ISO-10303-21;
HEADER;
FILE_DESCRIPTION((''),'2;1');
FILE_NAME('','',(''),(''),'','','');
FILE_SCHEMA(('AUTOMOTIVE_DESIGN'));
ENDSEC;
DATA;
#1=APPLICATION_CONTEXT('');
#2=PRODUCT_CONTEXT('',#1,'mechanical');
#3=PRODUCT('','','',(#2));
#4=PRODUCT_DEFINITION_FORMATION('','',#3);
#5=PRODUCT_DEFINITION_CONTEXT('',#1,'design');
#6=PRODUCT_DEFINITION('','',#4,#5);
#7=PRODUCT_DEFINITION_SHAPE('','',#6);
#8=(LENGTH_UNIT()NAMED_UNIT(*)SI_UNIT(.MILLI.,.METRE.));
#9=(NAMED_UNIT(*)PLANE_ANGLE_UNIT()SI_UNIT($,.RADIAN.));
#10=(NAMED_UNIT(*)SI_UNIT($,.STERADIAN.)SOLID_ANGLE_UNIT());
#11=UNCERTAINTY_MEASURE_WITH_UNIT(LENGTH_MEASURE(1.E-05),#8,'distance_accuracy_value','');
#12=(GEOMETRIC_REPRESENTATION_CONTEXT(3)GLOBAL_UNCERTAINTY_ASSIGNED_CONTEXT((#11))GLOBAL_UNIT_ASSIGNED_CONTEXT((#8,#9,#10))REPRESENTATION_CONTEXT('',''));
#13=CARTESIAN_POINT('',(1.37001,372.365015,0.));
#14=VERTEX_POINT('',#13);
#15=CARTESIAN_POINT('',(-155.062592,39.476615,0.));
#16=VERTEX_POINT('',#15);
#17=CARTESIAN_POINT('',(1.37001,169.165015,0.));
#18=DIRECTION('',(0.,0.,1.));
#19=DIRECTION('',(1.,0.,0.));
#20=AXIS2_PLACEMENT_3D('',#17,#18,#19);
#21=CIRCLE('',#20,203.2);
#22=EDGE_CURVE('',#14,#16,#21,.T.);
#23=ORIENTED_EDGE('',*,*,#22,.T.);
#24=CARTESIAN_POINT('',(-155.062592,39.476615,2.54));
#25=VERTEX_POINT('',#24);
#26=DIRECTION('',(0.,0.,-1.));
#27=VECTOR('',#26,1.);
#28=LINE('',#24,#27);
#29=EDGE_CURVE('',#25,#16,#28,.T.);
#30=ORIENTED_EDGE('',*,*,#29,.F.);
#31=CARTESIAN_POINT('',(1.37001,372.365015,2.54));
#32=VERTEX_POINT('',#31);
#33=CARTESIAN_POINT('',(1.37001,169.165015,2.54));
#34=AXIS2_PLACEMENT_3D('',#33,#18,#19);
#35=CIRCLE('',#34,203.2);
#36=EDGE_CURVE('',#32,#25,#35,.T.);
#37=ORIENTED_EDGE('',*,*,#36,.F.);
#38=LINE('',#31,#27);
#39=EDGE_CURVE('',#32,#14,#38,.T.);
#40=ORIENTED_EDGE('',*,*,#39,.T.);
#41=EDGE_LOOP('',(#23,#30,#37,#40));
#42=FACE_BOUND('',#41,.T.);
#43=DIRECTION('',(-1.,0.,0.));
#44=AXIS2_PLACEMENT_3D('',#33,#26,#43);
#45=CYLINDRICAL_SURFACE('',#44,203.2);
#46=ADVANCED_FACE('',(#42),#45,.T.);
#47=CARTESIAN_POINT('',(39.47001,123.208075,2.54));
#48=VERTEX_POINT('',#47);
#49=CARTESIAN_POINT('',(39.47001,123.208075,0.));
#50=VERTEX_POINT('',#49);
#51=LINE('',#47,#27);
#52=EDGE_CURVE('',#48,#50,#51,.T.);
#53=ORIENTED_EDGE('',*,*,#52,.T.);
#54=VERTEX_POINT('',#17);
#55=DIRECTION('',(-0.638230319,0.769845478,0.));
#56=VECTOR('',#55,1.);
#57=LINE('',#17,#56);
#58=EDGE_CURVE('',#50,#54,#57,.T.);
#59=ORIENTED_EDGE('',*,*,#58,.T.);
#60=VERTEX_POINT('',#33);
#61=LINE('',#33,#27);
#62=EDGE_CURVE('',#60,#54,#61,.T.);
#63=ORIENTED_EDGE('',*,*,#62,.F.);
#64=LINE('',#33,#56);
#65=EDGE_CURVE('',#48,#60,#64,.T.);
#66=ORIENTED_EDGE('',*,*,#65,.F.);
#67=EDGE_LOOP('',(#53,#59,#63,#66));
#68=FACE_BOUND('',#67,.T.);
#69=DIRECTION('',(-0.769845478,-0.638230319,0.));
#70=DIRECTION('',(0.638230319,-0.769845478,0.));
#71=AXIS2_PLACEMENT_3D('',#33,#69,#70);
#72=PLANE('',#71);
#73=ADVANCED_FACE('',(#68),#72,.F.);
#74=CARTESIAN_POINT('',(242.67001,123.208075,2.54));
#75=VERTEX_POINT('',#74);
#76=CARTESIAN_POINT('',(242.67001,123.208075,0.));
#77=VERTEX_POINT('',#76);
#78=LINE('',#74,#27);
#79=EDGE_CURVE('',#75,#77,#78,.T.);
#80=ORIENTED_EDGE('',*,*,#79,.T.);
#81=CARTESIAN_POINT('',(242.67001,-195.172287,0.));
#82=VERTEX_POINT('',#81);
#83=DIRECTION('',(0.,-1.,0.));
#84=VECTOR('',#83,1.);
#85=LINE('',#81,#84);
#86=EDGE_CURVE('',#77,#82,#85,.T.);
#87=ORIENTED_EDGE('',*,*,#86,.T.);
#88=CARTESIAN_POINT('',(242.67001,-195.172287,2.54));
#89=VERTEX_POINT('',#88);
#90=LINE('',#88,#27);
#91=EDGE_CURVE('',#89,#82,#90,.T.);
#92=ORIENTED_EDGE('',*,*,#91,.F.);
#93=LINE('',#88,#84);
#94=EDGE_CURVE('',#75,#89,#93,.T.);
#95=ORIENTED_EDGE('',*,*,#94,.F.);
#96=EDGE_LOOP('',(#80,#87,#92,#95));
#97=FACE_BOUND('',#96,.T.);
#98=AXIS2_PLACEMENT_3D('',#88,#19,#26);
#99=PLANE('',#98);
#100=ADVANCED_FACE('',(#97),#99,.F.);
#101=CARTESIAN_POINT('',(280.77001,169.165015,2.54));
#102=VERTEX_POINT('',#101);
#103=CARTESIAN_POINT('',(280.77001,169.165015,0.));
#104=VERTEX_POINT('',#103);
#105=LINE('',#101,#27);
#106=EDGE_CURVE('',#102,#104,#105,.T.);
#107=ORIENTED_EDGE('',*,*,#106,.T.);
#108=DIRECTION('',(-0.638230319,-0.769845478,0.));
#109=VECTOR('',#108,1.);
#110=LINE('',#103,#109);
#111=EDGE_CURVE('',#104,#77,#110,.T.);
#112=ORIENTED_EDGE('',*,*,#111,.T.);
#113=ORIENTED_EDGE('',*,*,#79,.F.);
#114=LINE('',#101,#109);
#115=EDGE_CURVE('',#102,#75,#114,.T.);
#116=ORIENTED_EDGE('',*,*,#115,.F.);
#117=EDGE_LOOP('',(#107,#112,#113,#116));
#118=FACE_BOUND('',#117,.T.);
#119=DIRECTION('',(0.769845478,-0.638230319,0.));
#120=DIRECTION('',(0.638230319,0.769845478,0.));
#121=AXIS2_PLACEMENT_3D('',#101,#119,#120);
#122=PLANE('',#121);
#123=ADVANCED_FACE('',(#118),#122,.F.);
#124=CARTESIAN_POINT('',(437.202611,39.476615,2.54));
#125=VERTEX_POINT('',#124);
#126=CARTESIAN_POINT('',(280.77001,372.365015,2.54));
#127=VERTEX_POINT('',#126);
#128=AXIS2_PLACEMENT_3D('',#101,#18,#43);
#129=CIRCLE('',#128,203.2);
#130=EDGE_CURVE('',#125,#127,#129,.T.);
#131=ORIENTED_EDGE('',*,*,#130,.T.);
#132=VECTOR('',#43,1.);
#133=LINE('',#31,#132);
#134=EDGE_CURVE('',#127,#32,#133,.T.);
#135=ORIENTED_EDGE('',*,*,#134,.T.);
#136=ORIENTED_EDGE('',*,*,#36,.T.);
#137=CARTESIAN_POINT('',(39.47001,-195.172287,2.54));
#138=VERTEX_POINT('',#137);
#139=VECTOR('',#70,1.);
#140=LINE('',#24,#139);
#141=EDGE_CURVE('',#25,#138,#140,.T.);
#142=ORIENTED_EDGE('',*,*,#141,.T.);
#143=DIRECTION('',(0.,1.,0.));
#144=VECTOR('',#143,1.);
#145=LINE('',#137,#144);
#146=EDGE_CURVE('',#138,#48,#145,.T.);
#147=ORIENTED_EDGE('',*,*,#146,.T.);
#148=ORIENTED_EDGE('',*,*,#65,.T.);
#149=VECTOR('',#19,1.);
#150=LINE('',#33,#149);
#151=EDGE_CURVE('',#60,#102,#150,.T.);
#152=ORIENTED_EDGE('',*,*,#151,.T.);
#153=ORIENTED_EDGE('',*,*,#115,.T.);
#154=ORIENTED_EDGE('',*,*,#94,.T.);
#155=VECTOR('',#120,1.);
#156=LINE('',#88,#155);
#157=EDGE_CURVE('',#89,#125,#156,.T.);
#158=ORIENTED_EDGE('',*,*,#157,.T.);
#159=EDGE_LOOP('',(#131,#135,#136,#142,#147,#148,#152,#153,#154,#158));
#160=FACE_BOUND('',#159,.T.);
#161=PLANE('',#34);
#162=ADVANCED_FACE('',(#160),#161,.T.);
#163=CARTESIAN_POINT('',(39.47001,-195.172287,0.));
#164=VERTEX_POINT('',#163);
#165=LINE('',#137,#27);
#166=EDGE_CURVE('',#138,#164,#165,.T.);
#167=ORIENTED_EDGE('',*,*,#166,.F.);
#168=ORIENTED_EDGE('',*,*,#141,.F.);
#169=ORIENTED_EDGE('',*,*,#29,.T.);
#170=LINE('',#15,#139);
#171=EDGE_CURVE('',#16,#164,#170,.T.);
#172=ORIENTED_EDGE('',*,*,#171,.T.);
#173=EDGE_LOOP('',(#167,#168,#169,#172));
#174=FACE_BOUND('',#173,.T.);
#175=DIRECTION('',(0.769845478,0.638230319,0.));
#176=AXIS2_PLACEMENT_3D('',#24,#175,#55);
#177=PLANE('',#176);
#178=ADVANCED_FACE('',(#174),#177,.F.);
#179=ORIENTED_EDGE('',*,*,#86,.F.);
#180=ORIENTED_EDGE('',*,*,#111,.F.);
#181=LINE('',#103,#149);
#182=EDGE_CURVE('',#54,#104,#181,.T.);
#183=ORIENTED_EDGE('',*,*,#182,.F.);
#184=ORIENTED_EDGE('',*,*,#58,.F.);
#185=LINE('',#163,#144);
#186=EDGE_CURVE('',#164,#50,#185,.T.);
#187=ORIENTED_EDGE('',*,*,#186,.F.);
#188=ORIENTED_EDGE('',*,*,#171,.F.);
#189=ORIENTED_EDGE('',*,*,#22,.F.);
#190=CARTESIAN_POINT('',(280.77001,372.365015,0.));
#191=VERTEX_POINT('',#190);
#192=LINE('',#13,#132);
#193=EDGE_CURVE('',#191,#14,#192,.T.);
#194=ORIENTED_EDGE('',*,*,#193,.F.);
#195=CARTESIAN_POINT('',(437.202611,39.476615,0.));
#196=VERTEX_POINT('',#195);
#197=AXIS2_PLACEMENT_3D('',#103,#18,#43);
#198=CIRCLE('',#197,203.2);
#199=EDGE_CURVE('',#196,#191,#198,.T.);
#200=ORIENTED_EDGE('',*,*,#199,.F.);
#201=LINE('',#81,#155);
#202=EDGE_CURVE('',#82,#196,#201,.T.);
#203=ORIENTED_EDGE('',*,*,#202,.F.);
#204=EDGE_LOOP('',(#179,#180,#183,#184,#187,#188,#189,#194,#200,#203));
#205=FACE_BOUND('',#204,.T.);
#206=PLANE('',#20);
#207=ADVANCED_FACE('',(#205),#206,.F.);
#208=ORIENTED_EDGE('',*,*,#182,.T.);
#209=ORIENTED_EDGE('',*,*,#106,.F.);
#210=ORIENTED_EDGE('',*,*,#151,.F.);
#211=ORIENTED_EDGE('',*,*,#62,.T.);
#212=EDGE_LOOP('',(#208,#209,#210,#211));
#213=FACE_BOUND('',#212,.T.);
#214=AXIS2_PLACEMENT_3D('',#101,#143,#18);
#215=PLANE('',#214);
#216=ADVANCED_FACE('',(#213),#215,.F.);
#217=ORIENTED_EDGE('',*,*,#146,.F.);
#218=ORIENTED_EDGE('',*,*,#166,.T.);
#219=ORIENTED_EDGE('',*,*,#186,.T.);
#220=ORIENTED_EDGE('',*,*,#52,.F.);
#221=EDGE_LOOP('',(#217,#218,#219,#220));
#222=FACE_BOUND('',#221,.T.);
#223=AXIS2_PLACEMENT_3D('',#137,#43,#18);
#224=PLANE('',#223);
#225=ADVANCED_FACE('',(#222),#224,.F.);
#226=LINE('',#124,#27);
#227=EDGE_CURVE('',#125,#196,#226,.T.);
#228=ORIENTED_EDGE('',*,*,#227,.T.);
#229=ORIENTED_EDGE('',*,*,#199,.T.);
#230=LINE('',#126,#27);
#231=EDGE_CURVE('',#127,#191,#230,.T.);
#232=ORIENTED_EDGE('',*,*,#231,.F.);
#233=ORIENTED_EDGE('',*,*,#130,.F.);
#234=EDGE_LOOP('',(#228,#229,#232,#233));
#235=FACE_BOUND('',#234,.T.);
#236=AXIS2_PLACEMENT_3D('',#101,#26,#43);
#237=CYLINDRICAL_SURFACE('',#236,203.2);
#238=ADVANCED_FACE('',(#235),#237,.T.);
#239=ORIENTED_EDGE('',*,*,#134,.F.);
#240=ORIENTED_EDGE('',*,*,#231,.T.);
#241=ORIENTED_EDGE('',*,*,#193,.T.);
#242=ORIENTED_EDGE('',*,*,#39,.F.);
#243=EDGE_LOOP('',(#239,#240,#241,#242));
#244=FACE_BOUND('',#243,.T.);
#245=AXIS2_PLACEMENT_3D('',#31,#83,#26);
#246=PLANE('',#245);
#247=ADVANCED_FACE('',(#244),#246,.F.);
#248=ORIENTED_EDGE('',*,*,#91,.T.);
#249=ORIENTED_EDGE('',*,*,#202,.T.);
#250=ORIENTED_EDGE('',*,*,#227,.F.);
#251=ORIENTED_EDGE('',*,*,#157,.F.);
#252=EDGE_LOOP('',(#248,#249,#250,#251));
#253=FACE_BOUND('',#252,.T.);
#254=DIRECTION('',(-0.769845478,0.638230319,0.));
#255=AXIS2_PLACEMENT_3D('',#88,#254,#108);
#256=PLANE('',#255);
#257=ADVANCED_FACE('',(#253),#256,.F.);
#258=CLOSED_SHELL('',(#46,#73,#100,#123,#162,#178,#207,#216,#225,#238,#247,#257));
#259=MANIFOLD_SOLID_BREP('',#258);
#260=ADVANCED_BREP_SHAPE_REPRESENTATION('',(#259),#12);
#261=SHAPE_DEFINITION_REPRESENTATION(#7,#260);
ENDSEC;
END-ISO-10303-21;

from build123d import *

# Parameters (mm, degrees)
BOSS_EXTRUDE2_DEPTH = 2.54


with BuildPart() as part:
    # Sketch1 → Boss-Extrude2 (new body)
    with BuildSketch(Plane.XY):
        with BuildLine():
            Line((280.770009641, 169.165015451), (242.670009641, 123.208075057))
            Line((242.670009641, 123.208075057), (242.670009641, -195.172287059))
            Line((242.670009641, -195.172287059), (437.202610799, 39.476614679))
            ThreePointArc((437.202610799, 39.476614679), (464.676131123, 255.58711032), (280.770009641, 372.365015451))
            Line((280.770009641, 372.365015451), (1.370009641, 372.365015451))
            ThreePointArc((1.370009641, 372.365015451), (-182.536111841, 255.58711032), (-155.062591517, 39.476614679))
            Line((-155.062591517, 39.476614679), (39.470009641, -195.172287059))
            Line((39.470009641, -195.172287059), (39.470009641, 123.208075057))
            Line((39.470009641, 123.208075057), (1.370009641, 169.165015451))
            Line((1.370009641, 169.165015451), (39.470009641, 169.165015451))
            Line((39.470009641, 169.165015451), (242.670009641, 169.165015451))
            Line((242.670009641, 169.165015451), (280.770009641, 169.165015451))
        make_face()
    extrude(amount=BOSS_EXTRUDE2_DEPTH)


solid = part.part
